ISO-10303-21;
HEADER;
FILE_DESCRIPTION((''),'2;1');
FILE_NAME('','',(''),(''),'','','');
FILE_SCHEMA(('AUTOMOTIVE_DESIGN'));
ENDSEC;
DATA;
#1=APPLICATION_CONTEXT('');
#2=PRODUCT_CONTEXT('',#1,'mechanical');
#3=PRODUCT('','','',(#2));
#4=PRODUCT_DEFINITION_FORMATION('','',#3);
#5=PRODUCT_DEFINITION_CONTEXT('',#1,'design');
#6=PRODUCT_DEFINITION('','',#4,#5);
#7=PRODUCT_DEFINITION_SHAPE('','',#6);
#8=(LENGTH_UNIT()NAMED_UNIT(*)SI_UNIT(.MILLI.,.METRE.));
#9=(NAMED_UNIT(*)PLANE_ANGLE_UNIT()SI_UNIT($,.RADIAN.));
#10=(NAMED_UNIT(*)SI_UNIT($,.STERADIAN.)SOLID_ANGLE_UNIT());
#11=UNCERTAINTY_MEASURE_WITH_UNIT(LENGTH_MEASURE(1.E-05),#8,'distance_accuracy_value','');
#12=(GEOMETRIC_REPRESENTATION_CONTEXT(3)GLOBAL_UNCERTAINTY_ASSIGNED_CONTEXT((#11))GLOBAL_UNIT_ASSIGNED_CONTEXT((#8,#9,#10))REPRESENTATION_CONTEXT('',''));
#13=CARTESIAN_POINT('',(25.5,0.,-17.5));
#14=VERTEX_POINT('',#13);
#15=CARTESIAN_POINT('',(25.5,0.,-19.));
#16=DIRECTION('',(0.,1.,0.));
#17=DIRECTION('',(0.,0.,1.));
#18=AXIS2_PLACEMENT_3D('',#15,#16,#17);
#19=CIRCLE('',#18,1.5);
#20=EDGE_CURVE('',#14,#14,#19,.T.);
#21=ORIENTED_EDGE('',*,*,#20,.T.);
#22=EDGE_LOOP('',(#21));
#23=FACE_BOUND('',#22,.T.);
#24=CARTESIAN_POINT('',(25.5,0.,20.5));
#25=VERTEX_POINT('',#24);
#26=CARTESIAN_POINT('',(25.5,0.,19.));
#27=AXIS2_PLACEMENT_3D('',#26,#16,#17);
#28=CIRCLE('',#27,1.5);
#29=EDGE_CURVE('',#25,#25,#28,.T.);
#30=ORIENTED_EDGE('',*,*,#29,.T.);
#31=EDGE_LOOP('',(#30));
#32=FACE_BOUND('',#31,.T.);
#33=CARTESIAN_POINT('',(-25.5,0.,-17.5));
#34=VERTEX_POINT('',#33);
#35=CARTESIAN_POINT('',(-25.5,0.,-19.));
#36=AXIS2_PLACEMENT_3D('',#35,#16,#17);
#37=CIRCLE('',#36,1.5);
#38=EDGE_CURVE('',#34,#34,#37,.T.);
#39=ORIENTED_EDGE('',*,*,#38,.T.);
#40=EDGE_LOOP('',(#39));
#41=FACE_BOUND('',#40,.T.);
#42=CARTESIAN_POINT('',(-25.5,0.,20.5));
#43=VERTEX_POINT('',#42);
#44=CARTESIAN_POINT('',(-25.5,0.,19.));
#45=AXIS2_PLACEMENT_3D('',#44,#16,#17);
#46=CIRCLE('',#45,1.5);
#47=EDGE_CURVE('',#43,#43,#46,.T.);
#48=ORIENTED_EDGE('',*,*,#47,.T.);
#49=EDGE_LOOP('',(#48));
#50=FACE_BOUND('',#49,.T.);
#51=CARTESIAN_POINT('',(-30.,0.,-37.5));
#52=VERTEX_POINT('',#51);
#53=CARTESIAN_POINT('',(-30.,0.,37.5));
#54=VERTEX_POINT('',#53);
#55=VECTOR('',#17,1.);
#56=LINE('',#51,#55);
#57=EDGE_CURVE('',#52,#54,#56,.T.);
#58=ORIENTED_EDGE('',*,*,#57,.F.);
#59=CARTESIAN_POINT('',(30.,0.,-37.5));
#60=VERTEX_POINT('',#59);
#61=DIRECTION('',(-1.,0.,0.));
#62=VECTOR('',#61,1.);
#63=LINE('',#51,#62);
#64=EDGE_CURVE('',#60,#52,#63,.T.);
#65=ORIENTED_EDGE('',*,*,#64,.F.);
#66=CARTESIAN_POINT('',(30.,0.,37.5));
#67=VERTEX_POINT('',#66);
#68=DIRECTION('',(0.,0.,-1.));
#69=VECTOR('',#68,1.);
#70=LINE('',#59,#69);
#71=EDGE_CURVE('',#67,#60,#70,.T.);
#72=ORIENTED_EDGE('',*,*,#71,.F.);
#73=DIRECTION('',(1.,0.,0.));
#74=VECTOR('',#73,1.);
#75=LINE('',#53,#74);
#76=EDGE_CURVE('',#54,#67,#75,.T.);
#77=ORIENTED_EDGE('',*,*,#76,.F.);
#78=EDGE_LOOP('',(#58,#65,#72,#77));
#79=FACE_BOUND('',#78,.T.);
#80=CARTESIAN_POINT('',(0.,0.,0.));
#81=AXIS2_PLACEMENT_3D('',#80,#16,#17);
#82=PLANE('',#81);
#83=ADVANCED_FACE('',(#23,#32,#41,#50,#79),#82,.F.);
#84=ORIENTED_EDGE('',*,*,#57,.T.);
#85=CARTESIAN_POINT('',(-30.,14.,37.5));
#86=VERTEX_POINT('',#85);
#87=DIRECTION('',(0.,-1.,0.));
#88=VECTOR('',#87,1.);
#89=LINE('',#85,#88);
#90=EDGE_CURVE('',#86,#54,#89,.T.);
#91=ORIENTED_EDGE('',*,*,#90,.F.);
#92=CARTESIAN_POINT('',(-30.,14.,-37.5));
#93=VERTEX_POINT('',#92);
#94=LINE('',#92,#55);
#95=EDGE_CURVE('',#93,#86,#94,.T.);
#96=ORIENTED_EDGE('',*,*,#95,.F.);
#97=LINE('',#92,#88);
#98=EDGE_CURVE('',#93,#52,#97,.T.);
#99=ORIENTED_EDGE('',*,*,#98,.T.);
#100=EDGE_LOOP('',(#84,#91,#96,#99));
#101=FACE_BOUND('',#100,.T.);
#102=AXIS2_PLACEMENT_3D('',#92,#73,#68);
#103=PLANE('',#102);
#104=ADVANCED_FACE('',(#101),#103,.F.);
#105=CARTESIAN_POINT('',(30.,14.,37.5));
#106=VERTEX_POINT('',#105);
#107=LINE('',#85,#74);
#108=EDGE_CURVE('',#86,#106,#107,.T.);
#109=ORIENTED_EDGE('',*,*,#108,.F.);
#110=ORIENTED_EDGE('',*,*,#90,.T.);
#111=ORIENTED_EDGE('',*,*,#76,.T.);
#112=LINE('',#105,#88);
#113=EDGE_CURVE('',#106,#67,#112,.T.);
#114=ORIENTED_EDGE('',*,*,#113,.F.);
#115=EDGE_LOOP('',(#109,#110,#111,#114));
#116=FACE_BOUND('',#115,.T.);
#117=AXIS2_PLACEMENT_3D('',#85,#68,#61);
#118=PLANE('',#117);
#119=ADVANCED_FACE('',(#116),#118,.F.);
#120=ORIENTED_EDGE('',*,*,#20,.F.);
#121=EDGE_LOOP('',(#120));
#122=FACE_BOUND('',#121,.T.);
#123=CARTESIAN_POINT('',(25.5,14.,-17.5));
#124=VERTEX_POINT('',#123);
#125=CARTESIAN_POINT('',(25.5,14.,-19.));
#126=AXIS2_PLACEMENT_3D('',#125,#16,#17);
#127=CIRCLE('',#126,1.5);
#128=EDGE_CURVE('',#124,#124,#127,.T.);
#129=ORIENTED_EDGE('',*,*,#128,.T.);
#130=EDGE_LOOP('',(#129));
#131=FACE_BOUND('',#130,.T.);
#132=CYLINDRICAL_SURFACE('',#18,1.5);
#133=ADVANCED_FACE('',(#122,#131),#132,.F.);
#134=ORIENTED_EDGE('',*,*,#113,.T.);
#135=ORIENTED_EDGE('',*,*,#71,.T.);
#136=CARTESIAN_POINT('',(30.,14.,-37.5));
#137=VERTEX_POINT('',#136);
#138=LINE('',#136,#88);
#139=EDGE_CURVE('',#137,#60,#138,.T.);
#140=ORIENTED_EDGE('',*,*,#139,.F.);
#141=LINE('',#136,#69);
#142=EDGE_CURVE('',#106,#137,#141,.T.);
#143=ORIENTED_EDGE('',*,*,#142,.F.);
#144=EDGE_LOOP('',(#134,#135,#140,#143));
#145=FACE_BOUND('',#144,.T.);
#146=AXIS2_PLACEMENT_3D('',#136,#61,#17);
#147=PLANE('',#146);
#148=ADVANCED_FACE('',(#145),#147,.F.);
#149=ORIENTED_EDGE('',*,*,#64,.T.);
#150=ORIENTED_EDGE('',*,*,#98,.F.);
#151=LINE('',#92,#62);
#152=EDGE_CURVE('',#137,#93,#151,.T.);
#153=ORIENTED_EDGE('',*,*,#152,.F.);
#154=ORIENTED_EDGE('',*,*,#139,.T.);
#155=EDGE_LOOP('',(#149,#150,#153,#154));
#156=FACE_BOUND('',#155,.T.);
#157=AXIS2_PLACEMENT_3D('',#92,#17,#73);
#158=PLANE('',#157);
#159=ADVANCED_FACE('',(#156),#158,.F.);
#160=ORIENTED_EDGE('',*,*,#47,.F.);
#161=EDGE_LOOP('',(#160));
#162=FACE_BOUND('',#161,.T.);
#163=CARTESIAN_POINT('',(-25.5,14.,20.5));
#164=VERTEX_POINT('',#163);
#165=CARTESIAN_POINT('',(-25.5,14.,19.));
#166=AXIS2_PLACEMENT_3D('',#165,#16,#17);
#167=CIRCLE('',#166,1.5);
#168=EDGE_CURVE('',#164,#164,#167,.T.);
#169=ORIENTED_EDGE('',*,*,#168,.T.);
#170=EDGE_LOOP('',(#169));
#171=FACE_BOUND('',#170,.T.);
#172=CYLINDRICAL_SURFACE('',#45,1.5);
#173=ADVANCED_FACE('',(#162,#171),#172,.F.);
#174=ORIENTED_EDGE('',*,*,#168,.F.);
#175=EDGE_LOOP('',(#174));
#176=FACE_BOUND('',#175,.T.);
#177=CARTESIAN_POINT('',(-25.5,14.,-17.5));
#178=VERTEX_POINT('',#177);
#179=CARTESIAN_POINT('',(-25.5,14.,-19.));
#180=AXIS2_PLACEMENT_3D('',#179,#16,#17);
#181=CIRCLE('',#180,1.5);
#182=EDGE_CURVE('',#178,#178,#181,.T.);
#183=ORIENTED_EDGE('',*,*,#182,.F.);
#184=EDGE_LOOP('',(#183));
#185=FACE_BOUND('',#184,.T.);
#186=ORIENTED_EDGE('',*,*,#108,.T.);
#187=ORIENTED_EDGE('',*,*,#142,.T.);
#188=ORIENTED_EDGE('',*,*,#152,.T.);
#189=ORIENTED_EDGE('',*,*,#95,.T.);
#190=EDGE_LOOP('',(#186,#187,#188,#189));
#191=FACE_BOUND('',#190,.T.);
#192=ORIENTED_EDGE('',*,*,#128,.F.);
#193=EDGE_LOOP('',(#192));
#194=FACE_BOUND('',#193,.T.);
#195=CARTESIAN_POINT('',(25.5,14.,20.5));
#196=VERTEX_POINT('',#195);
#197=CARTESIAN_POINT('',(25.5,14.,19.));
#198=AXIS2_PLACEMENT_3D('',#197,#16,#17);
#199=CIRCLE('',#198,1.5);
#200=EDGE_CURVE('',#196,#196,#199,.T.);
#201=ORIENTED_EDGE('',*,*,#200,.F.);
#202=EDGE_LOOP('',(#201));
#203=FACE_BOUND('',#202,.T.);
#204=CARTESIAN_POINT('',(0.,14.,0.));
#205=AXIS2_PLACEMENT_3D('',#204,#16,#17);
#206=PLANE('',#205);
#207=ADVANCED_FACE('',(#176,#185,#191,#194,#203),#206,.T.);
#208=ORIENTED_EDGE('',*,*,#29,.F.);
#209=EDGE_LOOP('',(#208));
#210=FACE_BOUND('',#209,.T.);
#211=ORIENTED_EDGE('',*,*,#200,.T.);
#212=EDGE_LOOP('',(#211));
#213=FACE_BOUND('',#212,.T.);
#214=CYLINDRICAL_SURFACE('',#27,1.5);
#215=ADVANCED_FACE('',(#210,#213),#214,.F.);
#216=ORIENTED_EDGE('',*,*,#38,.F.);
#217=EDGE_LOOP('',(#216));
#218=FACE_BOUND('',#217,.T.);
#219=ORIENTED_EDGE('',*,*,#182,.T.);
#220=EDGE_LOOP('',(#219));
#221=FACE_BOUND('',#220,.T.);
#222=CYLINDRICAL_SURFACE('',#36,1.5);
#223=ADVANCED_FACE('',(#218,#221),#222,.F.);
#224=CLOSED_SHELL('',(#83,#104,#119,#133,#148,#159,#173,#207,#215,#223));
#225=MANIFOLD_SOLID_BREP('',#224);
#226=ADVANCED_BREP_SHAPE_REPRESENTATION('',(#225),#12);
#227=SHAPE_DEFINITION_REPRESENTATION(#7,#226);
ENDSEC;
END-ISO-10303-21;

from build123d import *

# Parameters (mm, degrees)
SKETCH1_W           = 60
SKETCH1_H           = 75
BOSS_EXTRUDE1_DEPTH = 14
SKETCH2_R           = 1.5
CUT_EXTRUDE1_DEPTH  = 14


with BuildPart() as part:
    # Sketch1 → Boss-Extrude1 (new body)
    with BuildSketch(Plane(origin=(0, 0, 0), x_dir=(1, 0, 0), z_dir=(0, 1, 0))):
        Rectangle(SKETCH1_W, SKETCH1_H)
    extrude(amount=BOSS_EXTRUDE1_DEPTH)

    # Sketch2 → Cut-Extrude1 (cut)
    with BuildSketch(Plane(origin=(0, 14, 0), x_dir=(1, 0, 0), z_dir=(0, 1, 0))):
        with Locations(Location((-25.5, 19, 0), (0, 0, 270))):
            Circle(SKETCH2_R)
        with Locations(Location((25.5, 19, 0), (0, 0, 270))):
            Circle(SKETCH2_R)
        with Locations(Location((25.5, -19, 0), (0, 0, 270))):
            Circle(SKETCH2_R)
        with Locations(Location((-25.5, -19, 0), (0, 0, 270))):
            Circle(SKETCH2_R)
    extrude(amount=-CUT_EXTRUDE1_DEPTH, mode=Mode.SUBTRACT)


solid = part.part
